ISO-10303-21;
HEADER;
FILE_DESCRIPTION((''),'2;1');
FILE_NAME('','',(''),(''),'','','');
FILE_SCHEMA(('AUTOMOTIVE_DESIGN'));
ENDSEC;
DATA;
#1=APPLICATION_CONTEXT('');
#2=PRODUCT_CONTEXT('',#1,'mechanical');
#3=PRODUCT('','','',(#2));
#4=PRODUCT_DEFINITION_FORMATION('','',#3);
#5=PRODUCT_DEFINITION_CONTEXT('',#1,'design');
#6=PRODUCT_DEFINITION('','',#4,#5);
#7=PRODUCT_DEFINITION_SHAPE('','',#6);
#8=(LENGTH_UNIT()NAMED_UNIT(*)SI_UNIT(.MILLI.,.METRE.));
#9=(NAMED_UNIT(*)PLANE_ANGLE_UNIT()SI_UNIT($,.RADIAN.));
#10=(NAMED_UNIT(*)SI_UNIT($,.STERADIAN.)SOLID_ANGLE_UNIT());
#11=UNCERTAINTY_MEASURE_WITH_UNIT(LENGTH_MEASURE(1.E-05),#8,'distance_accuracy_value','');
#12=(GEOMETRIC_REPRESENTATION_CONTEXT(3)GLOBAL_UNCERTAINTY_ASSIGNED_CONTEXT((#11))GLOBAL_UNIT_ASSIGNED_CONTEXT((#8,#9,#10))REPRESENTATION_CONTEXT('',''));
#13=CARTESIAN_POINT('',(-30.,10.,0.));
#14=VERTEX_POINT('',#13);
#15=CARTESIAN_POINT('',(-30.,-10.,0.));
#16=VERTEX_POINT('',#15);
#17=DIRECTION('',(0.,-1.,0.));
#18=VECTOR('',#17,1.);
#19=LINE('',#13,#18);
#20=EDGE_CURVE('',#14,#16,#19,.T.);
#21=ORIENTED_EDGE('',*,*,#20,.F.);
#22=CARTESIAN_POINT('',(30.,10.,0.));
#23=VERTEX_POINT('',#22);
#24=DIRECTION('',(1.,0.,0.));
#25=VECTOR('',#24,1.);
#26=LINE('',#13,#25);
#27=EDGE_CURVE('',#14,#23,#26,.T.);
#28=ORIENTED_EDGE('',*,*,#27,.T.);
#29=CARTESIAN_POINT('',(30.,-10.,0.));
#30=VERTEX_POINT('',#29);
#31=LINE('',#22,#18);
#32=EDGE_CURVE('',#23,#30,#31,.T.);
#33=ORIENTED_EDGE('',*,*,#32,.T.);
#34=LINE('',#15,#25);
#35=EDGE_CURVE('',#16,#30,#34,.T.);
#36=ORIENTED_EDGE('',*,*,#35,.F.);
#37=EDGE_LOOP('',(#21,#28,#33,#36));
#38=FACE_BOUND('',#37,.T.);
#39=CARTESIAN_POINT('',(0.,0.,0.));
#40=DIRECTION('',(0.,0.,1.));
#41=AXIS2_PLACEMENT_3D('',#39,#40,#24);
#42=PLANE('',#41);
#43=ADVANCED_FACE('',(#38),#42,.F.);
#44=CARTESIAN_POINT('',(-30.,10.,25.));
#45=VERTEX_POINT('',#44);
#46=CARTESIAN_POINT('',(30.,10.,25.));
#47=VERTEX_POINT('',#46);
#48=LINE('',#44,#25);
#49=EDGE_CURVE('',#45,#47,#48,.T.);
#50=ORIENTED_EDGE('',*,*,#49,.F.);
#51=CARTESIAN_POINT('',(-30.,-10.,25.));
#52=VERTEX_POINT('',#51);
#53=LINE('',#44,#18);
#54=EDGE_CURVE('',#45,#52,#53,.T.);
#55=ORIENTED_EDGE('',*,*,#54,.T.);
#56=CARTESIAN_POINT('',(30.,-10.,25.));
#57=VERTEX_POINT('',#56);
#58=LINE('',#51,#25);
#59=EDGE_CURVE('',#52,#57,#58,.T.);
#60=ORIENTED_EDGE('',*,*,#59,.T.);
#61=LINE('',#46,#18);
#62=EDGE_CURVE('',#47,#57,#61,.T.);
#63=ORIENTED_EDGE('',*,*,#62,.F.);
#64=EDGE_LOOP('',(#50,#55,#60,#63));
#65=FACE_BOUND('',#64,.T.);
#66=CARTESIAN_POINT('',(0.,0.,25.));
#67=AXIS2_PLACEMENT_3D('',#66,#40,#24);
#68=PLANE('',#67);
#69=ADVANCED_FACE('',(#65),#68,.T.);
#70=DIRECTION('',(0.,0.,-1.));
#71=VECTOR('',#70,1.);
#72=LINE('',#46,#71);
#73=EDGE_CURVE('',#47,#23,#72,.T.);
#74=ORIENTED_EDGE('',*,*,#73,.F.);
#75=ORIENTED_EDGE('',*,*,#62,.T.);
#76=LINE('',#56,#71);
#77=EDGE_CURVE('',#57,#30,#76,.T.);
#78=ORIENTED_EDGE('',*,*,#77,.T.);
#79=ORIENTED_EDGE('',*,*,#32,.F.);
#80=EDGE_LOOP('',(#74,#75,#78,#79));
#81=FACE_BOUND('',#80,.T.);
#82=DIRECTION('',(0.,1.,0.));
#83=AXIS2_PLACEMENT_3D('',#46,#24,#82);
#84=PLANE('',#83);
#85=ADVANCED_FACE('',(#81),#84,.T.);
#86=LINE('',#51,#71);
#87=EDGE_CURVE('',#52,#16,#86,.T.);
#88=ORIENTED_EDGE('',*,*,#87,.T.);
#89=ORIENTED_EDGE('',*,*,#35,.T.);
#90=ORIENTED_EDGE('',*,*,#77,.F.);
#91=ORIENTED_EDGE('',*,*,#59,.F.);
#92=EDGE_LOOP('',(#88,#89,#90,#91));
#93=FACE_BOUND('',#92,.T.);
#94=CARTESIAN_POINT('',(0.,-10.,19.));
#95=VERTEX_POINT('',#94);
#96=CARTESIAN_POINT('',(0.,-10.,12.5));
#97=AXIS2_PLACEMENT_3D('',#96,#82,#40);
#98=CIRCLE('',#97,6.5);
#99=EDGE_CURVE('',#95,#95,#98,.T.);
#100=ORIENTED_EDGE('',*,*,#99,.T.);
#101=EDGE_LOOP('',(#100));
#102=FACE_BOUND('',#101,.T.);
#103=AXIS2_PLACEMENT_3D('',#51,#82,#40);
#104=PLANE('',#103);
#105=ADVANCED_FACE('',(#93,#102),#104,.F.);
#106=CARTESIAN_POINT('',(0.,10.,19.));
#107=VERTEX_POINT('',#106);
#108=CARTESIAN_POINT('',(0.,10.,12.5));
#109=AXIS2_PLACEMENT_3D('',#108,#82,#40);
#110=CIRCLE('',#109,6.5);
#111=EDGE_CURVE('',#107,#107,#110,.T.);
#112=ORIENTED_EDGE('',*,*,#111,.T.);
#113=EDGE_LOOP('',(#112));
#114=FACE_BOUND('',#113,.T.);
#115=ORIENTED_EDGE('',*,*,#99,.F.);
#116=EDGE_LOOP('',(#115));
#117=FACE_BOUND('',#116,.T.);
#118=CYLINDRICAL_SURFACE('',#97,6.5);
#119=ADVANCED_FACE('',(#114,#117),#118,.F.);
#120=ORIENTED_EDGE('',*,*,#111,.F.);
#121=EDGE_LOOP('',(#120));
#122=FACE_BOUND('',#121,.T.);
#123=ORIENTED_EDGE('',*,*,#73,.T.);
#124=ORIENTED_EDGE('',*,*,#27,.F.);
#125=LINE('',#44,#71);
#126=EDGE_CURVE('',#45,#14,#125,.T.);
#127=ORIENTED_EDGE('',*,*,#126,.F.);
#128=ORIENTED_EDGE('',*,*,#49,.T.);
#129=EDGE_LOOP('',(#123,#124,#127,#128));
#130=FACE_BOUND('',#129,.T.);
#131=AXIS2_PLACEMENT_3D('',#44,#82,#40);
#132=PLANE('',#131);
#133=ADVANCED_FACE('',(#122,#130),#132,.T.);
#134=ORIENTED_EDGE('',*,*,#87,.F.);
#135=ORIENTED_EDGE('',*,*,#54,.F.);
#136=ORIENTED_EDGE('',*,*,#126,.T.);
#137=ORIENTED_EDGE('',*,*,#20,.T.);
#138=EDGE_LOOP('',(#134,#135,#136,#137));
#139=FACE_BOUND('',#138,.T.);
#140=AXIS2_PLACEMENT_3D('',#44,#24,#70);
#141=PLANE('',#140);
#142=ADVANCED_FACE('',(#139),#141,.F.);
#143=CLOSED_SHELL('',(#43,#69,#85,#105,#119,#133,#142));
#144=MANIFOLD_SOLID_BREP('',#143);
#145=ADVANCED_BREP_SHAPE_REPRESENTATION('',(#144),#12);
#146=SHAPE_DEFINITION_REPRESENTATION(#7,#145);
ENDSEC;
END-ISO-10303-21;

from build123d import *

# Parameters (mm, degrees)
CROQUIS1_W              = 60
CROQUIS1_H              = 20
SALIENTE_EXTRUIR1_DEPTH = 25
CROQUIS2_R              = 6.5
CORTAR_EXTRUIR1_DEPTH   = 20


with BuildPart() as part:
    # Croquis1 → Saliente-Extruir1 (new body)
    with BuildSketch(Plane.XY):
        Rectangle(CROQUIS1_W, CROQUIS1_H)
    extrude(amount=SALIENTE_EXTRUIR1_DEPTH)

    # Croquis2 → Cortar-Extruir1 (cut)
    with BuildSketch(Plane(origin=(0, 10, 0), x_dir=(1, 0, 0), z_dir=(0, 1, 0))):
        with Locations((0, -12.5)):
            Circle(CROQUIS2_R)
    extrude(amount=-CORTAR_EXTRUIR1_DEPTH, mode=Mode.SUBTRACT)


solid = part.part
